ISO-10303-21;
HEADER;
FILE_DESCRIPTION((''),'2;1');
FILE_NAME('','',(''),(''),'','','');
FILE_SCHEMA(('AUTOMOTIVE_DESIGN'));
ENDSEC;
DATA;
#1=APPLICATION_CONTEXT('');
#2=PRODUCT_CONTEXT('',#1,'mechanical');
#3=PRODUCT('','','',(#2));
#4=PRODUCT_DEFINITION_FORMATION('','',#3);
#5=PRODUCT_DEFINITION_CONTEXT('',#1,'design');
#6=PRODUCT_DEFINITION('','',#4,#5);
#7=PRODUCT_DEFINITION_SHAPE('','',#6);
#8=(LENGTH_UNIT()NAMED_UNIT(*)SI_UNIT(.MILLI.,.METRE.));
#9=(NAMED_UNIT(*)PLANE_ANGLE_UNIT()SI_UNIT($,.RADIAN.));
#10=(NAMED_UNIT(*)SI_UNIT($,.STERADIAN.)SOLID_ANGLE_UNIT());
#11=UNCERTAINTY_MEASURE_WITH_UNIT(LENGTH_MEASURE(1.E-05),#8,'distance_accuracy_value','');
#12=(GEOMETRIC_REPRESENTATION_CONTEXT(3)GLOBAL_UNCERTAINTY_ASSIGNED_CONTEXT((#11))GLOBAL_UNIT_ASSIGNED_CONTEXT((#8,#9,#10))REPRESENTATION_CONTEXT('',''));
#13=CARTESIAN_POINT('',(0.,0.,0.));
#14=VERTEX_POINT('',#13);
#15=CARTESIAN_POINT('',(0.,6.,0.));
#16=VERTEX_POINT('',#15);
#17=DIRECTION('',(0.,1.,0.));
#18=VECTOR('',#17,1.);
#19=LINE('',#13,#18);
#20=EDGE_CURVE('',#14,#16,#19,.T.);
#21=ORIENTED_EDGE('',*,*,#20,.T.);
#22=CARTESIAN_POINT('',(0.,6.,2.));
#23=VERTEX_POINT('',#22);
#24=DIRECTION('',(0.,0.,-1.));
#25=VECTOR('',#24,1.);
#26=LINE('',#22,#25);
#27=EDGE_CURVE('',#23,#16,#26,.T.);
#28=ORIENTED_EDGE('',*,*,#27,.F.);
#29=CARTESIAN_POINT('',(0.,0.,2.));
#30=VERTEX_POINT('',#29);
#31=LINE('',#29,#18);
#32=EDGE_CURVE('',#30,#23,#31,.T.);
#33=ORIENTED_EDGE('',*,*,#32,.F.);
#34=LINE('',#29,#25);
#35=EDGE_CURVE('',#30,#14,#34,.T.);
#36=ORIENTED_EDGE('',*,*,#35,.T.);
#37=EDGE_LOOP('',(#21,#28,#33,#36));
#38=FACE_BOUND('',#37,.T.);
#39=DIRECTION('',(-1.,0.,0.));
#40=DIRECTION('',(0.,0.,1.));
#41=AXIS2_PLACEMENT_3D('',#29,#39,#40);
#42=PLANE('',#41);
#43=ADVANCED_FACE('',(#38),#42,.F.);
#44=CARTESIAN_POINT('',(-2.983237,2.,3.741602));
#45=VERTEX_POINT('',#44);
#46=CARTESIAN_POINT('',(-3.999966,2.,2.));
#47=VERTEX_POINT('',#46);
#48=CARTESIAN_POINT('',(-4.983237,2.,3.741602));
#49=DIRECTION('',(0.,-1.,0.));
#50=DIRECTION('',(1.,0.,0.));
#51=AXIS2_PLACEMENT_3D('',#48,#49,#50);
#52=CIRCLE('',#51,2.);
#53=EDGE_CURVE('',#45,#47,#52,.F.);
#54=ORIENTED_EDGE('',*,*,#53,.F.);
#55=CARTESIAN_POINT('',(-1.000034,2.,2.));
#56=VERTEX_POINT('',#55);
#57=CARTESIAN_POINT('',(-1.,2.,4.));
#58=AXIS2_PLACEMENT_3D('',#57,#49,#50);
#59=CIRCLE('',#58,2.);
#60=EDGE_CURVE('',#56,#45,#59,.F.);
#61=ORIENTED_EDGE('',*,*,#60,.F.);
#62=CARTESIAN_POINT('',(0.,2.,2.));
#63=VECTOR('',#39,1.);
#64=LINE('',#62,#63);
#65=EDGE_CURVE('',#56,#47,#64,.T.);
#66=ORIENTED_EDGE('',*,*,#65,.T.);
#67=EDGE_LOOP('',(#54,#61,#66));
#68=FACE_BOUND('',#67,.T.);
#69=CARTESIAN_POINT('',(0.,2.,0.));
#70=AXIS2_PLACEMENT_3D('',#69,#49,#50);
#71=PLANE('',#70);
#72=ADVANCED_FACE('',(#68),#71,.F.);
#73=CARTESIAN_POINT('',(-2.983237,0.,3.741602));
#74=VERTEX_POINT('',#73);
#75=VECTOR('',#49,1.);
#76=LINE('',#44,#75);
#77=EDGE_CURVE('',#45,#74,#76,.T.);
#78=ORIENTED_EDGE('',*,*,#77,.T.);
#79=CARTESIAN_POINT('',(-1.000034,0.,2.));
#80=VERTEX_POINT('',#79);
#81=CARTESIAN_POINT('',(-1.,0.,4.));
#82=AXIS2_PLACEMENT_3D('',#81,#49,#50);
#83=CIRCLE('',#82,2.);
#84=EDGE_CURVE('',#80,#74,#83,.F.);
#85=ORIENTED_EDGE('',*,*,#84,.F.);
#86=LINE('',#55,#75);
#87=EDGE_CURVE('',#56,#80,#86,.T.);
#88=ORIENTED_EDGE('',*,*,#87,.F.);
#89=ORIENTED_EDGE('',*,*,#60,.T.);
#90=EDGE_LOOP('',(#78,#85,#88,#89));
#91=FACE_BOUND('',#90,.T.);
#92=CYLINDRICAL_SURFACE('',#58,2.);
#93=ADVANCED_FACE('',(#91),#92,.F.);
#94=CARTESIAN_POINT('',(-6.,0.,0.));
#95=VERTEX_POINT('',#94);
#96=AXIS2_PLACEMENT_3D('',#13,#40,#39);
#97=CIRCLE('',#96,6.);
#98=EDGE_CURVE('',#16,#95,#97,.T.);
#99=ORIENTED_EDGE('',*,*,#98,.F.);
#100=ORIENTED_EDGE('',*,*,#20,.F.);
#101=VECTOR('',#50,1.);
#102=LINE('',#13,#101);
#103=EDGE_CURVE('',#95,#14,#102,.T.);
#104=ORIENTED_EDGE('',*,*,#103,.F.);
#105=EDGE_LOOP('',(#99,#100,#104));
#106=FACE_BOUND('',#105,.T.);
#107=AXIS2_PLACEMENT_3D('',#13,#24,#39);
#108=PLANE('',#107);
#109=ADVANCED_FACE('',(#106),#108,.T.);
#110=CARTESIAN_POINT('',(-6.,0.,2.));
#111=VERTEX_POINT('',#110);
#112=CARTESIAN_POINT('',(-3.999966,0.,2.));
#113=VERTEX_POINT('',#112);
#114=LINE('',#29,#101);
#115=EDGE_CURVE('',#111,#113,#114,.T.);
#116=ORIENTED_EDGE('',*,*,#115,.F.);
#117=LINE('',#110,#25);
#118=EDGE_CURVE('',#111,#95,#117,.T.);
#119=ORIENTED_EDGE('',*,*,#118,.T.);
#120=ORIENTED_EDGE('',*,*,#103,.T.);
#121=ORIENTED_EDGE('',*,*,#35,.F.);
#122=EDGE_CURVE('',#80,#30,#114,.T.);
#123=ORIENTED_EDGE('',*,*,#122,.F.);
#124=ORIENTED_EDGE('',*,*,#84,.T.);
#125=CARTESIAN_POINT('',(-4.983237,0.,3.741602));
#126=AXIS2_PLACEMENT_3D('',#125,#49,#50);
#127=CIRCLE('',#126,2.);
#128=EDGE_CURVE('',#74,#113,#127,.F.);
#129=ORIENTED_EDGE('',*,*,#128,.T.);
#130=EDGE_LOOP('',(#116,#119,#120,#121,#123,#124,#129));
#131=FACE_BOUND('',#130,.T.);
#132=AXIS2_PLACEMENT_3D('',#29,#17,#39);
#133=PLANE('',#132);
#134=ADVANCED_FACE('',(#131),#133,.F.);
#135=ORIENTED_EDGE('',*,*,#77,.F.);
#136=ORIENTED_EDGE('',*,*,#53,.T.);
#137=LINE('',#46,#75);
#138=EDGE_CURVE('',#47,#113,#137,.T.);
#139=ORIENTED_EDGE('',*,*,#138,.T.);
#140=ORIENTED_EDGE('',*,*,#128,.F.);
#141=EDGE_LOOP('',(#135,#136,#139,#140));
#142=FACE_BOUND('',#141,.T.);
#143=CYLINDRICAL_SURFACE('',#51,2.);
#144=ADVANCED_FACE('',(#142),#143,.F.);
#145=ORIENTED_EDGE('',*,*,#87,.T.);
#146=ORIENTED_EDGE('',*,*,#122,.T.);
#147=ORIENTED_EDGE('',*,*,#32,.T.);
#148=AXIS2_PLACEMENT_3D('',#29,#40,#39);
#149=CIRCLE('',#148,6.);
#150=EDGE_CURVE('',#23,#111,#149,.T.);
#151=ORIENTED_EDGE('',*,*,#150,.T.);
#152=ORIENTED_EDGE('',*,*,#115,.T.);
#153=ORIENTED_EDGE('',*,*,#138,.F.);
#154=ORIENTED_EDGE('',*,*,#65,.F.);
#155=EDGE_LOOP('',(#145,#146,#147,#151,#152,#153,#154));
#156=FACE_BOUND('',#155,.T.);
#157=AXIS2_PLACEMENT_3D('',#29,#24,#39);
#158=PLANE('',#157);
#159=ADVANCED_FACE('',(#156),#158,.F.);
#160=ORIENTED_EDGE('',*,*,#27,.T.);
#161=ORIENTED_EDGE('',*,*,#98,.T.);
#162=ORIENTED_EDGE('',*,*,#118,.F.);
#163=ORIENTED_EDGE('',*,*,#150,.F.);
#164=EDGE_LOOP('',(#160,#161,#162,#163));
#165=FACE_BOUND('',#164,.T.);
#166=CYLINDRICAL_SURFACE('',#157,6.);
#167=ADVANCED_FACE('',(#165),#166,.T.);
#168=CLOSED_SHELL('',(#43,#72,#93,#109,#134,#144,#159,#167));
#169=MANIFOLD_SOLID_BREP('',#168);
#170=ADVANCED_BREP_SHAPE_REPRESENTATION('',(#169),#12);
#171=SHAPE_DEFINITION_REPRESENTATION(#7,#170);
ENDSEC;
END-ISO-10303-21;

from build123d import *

# Parameters (mm, degrees)
BOSS_EXTRUDE1_DEPTH = 2
BOSS_EXTRUDE2_DEPTH = 2


with BuildPart() as part:
    # Sketch1 → Boss-Extrude1 (new body)
    with BuildSketch(Plane.XY):
        with BuildLine():
            Line((0, 0), (0, 6))
            ThreePointArc((0, 6), (-4.242640687, 4.242640687), (-6, 0))
            Line((-6, 0), (0, 0))
        make_face()
    extrude(amount=BOSS_EXTRUDE1_DEPTH)

    # Sketch2 → Boss-Extrude2 (add)
    with BuildSketch(Plane.XZ):
        with BuildLine():
            ThreePointArc((-2.983237378, 3.741602043), (-3.256022499, 2.733272353), (-3.999966142, 2))
            Line((-3.999966142, 2), (-1.000033858, 2))
            ThreePointArc((-1.000033858, 2), (-2.319710429, 2.497214459), (-2.983237378, 3.741602043))
        make_face()
    extrude(amount=-BOSS_EXTRUDE2_DEPTH)


solid = part.part
